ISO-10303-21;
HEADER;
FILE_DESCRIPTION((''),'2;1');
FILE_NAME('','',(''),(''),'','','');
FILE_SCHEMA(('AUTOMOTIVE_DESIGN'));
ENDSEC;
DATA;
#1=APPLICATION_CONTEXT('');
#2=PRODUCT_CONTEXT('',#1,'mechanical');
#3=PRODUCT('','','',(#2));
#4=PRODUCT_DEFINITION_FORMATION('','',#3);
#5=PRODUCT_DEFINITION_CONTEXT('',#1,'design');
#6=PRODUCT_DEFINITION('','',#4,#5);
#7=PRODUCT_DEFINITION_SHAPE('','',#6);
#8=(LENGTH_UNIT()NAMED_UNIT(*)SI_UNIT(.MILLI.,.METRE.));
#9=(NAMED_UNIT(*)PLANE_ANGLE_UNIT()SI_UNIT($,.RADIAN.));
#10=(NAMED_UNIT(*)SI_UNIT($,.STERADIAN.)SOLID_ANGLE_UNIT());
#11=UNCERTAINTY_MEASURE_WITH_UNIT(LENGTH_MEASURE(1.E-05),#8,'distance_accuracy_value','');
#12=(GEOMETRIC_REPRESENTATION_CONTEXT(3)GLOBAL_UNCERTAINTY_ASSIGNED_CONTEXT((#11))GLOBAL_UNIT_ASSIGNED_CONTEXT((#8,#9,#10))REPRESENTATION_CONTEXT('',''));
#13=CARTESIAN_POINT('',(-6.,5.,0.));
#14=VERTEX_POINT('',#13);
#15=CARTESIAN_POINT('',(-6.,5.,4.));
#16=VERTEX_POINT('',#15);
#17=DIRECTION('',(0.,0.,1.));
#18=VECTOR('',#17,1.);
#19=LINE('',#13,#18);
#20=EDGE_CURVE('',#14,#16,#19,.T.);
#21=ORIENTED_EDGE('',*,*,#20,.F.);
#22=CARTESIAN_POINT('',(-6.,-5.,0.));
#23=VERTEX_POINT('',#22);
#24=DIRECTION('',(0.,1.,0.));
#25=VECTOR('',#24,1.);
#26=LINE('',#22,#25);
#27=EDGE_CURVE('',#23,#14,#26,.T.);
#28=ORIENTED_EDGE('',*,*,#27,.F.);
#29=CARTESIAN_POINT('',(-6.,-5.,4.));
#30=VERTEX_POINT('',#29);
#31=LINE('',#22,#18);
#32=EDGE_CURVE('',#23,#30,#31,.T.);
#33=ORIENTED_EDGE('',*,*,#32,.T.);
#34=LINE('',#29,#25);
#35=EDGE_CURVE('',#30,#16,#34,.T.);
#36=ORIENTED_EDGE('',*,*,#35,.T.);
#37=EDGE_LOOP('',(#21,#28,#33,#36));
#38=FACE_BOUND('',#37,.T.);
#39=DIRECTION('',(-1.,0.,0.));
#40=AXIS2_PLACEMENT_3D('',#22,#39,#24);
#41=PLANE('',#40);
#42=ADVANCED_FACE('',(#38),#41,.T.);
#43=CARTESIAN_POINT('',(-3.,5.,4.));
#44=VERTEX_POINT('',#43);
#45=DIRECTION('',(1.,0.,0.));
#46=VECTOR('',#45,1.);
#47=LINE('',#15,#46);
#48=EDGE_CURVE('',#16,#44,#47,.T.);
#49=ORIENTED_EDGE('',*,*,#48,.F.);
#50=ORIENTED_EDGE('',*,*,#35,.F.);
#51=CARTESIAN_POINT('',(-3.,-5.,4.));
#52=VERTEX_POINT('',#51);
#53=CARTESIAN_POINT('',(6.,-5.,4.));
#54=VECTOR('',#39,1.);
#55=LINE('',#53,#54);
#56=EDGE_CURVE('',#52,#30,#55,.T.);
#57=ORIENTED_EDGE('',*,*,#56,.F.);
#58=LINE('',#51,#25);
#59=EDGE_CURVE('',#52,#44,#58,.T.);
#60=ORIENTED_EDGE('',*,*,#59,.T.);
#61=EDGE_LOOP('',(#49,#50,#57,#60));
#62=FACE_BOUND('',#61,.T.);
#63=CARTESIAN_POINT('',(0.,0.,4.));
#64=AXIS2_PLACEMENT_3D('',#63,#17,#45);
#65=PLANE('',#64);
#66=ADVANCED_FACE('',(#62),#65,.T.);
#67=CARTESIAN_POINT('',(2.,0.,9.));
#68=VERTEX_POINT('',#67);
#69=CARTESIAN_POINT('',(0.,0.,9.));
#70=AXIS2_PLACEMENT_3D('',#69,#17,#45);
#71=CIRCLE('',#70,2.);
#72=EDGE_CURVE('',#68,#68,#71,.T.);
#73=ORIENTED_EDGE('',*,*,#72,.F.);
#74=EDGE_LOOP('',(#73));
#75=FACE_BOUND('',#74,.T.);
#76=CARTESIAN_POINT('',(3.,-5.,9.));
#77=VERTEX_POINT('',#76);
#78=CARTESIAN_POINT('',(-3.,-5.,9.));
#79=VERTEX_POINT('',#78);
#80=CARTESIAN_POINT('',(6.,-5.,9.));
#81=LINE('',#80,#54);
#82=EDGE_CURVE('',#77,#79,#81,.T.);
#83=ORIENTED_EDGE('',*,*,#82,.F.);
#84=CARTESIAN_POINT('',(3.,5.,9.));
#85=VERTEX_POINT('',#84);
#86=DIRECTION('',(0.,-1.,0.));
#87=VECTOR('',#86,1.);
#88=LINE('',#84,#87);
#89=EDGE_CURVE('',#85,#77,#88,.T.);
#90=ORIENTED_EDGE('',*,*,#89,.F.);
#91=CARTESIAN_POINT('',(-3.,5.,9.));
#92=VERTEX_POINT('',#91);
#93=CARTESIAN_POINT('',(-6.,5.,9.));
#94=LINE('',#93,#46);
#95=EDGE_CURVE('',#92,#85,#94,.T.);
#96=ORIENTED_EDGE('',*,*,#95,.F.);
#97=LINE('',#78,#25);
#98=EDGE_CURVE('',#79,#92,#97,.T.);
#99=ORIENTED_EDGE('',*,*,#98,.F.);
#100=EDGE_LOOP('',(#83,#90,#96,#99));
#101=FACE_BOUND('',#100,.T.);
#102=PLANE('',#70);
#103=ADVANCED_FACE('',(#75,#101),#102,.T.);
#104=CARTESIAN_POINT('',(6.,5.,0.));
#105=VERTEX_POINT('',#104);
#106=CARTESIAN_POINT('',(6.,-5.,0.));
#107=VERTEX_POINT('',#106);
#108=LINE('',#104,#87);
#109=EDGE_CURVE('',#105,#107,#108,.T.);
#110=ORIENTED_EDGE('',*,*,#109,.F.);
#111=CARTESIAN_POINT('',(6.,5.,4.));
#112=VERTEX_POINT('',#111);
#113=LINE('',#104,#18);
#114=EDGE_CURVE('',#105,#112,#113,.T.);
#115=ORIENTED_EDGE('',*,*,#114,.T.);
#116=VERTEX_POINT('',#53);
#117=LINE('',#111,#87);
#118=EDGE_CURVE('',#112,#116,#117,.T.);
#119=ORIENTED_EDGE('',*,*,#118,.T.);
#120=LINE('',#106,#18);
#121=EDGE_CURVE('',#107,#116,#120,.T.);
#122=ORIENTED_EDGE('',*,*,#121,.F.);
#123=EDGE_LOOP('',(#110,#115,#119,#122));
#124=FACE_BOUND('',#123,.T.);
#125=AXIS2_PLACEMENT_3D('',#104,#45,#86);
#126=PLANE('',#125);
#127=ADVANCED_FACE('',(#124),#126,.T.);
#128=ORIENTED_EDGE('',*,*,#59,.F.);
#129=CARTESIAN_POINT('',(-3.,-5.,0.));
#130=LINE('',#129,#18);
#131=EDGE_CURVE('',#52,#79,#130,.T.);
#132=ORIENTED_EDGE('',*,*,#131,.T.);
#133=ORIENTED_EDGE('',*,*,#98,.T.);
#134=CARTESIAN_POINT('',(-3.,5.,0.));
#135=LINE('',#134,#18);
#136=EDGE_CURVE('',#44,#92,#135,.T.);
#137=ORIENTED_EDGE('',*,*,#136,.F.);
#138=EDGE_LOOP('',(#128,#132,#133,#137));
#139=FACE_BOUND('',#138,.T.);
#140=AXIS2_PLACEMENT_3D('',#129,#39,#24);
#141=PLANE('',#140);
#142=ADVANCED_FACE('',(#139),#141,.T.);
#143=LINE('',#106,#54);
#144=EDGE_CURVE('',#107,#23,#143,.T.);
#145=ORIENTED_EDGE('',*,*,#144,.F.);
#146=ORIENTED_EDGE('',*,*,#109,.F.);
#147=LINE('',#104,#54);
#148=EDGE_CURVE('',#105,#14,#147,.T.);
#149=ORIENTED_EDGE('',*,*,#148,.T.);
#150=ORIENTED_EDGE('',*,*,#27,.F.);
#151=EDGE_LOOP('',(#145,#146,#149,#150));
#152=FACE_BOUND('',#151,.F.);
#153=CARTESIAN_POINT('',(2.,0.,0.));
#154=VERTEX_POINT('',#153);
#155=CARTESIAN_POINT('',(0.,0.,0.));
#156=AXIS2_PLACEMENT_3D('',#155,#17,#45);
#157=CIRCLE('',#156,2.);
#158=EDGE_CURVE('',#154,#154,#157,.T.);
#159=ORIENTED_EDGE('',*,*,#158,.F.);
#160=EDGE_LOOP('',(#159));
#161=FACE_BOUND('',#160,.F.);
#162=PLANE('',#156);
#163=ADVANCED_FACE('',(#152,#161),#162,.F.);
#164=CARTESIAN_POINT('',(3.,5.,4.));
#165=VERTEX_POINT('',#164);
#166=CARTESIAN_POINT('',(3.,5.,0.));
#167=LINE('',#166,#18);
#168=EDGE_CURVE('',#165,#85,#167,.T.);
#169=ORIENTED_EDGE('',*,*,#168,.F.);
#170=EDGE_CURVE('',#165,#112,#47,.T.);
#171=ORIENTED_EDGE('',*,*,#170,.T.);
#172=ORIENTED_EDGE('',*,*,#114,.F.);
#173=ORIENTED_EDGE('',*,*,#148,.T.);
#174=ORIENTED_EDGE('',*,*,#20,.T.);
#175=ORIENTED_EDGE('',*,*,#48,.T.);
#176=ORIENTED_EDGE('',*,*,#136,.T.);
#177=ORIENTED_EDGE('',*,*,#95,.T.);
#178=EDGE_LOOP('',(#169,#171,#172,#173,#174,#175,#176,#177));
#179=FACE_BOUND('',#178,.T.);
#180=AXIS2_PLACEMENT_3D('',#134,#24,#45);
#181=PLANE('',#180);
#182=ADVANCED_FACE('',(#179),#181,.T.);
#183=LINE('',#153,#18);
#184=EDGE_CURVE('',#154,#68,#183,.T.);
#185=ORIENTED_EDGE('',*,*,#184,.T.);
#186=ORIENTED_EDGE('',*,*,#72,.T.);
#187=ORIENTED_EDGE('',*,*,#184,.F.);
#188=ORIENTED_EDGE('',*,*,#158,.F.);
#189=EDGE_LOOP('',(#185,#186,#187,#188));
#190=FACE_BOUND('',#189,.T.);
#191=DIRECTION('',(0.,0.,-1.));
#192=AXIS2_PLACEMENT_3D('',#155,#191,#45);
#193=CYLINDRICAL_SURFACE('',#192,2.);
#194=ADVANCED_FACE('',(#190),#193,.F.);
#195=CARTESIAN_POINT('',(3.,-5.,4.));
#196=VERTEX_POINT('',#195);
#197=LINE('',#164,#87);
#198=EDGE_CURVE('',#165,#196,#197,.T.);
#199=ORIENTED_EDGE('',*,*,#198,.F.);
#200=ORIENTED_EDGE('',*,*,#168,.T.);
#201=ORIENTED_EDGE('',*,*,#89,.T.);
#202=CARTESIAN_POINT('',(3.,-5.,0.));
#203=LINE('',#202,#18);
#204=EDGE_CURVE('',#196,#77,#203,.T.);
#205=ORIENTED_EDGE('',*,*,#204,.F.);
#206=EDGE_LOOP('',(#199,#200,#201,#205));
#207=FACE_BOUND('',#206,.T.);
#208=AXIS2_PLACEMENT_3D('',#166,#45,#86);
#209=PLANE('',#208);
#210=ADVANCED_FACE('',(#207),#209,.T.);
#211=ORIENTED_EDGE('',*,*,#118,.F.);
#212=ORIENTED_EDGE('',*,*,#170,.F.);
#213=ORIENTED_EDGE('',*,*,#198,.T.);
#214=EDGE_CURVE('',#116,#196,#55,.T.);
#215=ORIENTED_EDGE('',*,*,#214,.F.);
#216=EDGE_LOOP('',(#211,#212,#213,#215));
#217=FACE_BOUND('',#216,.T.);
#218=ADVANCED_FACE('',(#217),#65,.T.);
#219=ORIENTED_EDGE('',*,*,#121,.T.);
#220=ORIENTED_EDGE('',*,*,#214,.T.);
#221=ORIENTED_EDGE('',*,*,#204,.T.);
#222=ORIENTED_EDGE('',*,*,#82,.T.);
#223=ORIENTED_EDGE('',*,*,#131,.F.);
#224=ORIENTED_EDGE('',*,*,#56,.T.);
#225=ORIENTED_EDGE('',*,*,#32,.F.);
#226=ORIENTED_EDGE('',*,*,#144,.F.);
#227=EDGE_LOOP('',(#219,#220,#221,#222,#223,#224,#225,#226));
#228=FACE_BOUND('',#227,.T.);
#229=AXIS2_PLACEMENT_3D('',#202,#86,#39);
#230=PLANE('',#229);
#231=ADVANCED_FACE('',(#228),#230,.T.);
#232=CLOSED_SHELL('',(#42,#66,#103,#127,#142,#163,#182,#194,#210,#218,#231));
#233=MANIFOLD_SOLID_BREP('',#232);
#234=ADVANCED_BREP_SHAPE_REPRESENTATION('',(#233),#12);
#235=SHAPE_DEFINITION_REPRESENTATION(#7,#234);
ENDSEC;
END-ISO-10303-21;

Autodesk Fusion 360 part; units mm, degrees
sketch "Sketch1" plane through (0, 0, 0) normal (0, 0, 1) x (1, 0, 0)
  line L0 (-6, 5) -> (6, 5)
  line L1 (6, 5) -> (6, -5)
  line L2 (6, -5) -> (-6, -5)
  line L3 (-6, -5) -> (-6, 5)
  line L4 (-3, 5) -> (3, 5)
  line L5 (3, 5) -> (3, -5)
  line L6 (3, -5) -> (-3, -5)
  line L7 (-3, -5) -> (-3, 5)
  circle A0 centre (0, 0) radius 2
  dimension "d1" = 4
  dimension "d2" = 12
  dimension "d3" = 10
  dimension "d4" = 6
extrude "Extrude1" add sketch "Sketch1" along normal blind 9 contours L0 L2 L4 L5 L6 L7
extrude "Extrude2" add sketch "Sketch1" along normal blind 4 contours L0 L2 L3 L7 | L0 L1 L2 L5
